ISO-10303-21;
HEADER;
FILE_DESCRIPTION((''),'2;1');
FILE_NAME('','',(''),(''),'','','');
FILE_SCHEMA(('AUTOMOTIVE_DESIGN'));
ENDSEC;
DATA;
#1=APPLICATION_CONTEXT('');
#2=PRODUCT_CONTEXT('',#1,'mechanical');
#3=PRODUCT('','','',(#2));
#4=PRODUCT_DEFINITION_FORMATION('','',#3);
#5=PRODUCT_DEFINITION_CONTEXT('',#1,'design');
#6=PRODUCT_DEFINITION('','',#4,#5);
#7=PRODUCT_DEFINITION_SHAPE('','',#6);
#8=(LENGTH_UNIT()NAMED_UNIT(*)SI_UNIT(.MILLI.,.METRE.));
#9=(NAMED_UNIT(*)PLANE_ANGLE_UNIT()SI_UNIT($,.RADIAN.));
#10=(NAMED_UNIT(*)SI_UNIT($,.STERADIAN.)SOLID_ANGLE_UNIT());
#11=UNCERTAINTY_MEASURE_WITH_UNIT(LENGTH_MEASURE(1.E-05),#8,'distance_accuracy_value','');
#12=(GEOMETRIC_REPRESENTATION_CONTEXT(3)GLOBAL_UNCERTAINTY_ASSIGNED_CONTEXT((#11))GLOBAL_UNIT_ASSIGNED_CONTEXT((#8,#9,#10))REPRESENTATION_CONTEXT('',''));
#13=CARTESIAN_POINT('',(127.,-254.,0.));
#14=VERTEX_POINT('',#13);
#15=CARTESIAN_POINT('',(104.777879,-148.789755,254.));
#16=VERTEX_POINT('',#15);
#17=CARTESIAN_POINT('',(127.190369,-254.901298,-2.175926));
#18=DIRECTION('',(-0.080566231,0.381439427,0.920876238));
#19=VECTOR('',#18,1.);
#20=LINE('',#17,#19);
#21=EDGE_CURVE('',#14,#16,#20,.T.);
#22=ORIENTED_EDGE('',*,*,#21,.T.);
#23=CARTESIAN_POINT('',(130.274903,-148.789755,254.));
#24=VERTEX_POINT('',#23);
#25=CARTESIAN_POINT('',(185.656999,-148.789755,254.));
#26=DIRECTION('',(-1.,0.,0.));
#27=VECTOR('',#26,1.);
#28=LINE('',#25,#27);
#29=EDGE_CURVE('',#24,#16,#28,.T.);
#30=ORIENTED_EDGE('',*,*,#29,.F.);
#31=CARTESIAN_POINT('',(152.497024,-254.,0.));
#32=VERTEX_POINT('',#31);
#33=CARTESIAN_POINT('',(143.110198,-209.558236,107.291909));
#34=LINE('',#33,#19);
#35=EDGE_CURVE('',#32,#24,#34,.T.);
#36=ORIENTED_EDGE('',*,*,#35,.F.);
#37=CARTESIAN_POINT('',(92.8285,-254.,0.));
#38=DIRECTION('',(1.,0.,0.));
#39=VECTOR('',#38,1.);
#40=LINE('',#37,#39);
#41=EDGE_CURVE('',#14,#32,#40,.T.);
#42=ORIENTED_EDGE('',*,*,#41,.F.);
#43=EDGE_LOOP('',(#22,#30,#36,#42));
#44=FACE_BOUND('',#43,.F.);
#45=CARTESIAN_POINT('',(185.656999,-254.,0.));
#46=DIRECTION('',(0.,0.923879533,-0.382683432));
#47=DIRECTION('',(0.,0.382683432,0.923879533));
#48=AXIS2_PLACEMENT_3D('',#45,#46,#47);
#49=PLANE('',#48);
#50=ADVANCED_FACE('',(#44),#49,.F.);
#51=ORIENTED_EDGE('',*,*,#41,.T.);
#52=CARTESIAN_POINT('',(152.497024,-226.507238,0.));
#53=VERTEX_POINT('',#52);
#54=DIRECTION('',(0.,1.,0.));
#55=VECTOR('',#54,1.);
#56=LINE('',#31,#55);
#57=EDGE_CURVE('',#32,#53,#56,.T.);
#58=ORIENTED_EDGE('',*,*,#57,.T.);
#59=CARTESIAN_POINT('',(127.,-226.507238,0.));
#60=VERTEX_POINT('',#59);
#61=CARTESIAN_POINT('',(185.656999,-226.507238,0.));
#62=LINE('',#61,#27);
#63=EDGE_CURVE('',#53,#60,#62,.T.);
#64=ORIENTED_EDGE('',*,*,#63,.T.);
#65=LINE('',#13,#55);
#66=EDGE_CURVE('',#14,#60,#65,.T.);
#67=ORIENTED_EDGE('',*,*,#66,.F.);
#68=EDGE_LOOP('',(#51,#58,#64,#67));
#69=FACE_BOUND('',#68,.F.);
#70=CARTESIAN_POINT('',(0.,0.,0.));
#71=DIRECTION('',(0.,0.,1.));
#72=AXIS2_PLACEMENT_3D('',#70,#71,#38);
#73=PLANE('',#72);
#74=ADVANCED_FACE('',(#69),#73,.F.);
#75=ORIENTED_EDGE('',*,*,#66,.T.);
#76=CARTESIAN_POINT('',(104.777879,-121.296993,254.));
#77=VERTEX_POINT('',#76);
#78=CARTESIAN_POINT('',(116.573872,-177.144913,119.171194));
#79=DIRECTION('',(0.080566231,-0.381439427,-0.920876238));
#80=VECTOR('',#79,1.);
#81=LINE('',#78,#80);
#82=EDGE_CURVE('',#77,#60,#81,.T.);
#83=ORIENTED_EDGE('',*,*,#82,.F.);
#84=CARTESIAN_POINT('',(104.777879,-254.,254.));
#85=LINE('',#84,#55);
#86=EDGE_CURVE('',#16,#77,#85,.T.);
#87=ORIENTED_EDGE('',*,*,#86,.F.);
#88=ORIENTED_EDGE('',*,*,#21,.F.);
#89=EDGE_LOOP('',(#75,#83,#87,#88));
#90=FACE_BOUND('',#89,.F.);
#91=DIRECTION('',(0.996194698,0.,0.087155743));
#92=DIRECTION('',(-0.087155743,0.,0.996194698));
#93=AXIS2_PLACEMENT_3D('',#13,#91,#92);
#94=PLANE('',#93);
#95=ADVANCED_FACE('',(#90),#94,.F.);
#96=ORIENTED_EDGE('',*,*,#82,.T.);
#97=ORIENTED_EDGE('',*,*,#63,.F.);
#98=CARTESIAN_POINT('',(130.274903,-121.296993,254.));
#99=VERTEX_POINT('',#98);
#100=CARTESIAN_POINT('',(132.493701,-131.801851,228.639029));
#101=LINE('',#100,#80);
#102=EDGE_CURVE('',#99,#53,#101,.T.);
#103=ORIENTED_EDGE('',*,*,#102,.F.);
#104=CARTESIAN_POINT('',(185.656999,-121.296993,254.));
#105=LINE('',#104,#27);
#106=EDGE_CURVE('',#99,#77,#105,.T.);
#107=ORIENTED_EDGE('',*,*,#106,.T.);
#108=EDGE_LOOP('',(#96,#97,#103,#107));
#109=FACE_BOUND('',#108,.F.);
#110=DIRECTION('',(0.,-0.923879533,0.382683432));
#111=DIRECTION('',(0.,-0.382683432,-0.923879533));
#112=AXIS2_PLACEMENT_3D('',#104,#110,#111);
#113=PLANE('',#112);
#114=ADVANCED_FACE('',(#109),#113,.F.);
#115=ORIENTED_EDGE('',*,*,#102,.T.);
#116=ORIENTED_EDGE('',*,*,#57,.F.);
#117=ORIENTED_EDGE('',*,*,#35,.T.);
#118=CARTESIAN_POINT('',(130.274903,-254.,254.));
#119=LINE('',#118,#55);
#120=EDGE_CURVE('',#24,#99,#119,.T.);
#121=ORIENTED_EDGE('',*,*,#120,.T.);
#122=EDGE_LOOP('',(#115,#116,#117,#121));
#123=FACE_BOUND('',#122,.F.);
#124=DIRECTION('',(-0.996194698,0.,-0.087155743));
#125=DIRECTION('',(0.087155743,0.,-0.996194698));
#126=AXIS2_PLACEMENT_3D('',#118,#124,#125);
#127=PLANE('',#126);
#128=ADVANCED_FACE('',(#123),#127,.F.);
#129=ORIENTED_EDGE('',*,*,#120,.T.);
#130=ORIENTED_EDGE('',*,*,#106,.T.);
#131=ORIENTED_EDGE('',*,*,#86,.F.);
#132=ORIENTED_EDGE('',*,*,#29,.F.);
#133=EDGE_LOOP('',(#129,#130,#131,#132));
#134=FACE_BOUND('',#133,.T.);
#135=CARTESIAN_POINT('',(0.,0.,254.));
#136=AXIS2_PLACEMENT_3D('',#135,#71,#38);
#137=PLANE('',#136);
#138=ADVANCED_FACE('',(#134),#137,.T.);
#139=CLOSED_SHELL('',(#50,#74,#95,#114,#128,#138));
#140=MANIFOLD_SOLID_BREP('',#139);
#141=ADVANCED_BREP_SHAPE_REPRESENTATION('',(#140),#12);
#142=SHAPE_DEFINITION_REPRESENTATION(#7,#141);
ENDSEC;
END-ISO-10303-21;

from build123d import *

# Parameters (mm, degrees)
F0_W     = 185.6569993703
F0_H     = 254
F1_DEPTH = 254
F3_DEPTH = 254.001
F5_DEPTH = 80.8801199059
F6_DEPTH = 80.8801199059
F7_DEPTH = 132.7040067302


with BuildPart() as f1:
    # F0 (on Front) → F1 (new body)
    with BuildSketch(Plane.XZ):
        with Locations((92.8284996852, 127)):
            Rectangle(F0_W, F0_H)
    extrude(amount=F1_DEPTH)

    # F2 (on face) → F3 (cut, through all)
    with BuildSketch(Plane.XZ.offset(254)):
        Polygon((127, 0), (104.7778794644, 254), (0, 254), (0, 0), align=None)
    extrude(amount=-F3_DEPTH, mode=Mode.SUBTRACT)

    # F4 (on face) → F5 (cut, through all)
    with BuildSketch(Plane.YZ.offset(185.6569993703)):
        Polygon((-254, 254), (-254, 0), (-148.7897551572, 254), align=None)
    extrude(amount=-F5_DEPTH, mode=Mode.SUBTRACT)

    # F4 (on face) → F6 (cut, through all)
    with BuildSketch(Plane.YZ.offset(185.6569993703)):
        Polygon((-121.2969932698, 254), (-226.5072381126, 0), (0, 0), (0, 254), align=None)
    extrude(amount=-F6_DEPTH, mode=Mode.SUBTRACT)

    # F2 (on face) → F7 (cut, through all)
    with BuildSketch(Plane.XZ.offset(254)):
        Polygon((185.6569993703, 254), (130.274903338, 254), (152.4970238736, 0), (185.6569993703, 0), align=None)
    extrude(amount=-F7_DEPTH, mode=Mode.SUBTRACT)


solid = f1.part
